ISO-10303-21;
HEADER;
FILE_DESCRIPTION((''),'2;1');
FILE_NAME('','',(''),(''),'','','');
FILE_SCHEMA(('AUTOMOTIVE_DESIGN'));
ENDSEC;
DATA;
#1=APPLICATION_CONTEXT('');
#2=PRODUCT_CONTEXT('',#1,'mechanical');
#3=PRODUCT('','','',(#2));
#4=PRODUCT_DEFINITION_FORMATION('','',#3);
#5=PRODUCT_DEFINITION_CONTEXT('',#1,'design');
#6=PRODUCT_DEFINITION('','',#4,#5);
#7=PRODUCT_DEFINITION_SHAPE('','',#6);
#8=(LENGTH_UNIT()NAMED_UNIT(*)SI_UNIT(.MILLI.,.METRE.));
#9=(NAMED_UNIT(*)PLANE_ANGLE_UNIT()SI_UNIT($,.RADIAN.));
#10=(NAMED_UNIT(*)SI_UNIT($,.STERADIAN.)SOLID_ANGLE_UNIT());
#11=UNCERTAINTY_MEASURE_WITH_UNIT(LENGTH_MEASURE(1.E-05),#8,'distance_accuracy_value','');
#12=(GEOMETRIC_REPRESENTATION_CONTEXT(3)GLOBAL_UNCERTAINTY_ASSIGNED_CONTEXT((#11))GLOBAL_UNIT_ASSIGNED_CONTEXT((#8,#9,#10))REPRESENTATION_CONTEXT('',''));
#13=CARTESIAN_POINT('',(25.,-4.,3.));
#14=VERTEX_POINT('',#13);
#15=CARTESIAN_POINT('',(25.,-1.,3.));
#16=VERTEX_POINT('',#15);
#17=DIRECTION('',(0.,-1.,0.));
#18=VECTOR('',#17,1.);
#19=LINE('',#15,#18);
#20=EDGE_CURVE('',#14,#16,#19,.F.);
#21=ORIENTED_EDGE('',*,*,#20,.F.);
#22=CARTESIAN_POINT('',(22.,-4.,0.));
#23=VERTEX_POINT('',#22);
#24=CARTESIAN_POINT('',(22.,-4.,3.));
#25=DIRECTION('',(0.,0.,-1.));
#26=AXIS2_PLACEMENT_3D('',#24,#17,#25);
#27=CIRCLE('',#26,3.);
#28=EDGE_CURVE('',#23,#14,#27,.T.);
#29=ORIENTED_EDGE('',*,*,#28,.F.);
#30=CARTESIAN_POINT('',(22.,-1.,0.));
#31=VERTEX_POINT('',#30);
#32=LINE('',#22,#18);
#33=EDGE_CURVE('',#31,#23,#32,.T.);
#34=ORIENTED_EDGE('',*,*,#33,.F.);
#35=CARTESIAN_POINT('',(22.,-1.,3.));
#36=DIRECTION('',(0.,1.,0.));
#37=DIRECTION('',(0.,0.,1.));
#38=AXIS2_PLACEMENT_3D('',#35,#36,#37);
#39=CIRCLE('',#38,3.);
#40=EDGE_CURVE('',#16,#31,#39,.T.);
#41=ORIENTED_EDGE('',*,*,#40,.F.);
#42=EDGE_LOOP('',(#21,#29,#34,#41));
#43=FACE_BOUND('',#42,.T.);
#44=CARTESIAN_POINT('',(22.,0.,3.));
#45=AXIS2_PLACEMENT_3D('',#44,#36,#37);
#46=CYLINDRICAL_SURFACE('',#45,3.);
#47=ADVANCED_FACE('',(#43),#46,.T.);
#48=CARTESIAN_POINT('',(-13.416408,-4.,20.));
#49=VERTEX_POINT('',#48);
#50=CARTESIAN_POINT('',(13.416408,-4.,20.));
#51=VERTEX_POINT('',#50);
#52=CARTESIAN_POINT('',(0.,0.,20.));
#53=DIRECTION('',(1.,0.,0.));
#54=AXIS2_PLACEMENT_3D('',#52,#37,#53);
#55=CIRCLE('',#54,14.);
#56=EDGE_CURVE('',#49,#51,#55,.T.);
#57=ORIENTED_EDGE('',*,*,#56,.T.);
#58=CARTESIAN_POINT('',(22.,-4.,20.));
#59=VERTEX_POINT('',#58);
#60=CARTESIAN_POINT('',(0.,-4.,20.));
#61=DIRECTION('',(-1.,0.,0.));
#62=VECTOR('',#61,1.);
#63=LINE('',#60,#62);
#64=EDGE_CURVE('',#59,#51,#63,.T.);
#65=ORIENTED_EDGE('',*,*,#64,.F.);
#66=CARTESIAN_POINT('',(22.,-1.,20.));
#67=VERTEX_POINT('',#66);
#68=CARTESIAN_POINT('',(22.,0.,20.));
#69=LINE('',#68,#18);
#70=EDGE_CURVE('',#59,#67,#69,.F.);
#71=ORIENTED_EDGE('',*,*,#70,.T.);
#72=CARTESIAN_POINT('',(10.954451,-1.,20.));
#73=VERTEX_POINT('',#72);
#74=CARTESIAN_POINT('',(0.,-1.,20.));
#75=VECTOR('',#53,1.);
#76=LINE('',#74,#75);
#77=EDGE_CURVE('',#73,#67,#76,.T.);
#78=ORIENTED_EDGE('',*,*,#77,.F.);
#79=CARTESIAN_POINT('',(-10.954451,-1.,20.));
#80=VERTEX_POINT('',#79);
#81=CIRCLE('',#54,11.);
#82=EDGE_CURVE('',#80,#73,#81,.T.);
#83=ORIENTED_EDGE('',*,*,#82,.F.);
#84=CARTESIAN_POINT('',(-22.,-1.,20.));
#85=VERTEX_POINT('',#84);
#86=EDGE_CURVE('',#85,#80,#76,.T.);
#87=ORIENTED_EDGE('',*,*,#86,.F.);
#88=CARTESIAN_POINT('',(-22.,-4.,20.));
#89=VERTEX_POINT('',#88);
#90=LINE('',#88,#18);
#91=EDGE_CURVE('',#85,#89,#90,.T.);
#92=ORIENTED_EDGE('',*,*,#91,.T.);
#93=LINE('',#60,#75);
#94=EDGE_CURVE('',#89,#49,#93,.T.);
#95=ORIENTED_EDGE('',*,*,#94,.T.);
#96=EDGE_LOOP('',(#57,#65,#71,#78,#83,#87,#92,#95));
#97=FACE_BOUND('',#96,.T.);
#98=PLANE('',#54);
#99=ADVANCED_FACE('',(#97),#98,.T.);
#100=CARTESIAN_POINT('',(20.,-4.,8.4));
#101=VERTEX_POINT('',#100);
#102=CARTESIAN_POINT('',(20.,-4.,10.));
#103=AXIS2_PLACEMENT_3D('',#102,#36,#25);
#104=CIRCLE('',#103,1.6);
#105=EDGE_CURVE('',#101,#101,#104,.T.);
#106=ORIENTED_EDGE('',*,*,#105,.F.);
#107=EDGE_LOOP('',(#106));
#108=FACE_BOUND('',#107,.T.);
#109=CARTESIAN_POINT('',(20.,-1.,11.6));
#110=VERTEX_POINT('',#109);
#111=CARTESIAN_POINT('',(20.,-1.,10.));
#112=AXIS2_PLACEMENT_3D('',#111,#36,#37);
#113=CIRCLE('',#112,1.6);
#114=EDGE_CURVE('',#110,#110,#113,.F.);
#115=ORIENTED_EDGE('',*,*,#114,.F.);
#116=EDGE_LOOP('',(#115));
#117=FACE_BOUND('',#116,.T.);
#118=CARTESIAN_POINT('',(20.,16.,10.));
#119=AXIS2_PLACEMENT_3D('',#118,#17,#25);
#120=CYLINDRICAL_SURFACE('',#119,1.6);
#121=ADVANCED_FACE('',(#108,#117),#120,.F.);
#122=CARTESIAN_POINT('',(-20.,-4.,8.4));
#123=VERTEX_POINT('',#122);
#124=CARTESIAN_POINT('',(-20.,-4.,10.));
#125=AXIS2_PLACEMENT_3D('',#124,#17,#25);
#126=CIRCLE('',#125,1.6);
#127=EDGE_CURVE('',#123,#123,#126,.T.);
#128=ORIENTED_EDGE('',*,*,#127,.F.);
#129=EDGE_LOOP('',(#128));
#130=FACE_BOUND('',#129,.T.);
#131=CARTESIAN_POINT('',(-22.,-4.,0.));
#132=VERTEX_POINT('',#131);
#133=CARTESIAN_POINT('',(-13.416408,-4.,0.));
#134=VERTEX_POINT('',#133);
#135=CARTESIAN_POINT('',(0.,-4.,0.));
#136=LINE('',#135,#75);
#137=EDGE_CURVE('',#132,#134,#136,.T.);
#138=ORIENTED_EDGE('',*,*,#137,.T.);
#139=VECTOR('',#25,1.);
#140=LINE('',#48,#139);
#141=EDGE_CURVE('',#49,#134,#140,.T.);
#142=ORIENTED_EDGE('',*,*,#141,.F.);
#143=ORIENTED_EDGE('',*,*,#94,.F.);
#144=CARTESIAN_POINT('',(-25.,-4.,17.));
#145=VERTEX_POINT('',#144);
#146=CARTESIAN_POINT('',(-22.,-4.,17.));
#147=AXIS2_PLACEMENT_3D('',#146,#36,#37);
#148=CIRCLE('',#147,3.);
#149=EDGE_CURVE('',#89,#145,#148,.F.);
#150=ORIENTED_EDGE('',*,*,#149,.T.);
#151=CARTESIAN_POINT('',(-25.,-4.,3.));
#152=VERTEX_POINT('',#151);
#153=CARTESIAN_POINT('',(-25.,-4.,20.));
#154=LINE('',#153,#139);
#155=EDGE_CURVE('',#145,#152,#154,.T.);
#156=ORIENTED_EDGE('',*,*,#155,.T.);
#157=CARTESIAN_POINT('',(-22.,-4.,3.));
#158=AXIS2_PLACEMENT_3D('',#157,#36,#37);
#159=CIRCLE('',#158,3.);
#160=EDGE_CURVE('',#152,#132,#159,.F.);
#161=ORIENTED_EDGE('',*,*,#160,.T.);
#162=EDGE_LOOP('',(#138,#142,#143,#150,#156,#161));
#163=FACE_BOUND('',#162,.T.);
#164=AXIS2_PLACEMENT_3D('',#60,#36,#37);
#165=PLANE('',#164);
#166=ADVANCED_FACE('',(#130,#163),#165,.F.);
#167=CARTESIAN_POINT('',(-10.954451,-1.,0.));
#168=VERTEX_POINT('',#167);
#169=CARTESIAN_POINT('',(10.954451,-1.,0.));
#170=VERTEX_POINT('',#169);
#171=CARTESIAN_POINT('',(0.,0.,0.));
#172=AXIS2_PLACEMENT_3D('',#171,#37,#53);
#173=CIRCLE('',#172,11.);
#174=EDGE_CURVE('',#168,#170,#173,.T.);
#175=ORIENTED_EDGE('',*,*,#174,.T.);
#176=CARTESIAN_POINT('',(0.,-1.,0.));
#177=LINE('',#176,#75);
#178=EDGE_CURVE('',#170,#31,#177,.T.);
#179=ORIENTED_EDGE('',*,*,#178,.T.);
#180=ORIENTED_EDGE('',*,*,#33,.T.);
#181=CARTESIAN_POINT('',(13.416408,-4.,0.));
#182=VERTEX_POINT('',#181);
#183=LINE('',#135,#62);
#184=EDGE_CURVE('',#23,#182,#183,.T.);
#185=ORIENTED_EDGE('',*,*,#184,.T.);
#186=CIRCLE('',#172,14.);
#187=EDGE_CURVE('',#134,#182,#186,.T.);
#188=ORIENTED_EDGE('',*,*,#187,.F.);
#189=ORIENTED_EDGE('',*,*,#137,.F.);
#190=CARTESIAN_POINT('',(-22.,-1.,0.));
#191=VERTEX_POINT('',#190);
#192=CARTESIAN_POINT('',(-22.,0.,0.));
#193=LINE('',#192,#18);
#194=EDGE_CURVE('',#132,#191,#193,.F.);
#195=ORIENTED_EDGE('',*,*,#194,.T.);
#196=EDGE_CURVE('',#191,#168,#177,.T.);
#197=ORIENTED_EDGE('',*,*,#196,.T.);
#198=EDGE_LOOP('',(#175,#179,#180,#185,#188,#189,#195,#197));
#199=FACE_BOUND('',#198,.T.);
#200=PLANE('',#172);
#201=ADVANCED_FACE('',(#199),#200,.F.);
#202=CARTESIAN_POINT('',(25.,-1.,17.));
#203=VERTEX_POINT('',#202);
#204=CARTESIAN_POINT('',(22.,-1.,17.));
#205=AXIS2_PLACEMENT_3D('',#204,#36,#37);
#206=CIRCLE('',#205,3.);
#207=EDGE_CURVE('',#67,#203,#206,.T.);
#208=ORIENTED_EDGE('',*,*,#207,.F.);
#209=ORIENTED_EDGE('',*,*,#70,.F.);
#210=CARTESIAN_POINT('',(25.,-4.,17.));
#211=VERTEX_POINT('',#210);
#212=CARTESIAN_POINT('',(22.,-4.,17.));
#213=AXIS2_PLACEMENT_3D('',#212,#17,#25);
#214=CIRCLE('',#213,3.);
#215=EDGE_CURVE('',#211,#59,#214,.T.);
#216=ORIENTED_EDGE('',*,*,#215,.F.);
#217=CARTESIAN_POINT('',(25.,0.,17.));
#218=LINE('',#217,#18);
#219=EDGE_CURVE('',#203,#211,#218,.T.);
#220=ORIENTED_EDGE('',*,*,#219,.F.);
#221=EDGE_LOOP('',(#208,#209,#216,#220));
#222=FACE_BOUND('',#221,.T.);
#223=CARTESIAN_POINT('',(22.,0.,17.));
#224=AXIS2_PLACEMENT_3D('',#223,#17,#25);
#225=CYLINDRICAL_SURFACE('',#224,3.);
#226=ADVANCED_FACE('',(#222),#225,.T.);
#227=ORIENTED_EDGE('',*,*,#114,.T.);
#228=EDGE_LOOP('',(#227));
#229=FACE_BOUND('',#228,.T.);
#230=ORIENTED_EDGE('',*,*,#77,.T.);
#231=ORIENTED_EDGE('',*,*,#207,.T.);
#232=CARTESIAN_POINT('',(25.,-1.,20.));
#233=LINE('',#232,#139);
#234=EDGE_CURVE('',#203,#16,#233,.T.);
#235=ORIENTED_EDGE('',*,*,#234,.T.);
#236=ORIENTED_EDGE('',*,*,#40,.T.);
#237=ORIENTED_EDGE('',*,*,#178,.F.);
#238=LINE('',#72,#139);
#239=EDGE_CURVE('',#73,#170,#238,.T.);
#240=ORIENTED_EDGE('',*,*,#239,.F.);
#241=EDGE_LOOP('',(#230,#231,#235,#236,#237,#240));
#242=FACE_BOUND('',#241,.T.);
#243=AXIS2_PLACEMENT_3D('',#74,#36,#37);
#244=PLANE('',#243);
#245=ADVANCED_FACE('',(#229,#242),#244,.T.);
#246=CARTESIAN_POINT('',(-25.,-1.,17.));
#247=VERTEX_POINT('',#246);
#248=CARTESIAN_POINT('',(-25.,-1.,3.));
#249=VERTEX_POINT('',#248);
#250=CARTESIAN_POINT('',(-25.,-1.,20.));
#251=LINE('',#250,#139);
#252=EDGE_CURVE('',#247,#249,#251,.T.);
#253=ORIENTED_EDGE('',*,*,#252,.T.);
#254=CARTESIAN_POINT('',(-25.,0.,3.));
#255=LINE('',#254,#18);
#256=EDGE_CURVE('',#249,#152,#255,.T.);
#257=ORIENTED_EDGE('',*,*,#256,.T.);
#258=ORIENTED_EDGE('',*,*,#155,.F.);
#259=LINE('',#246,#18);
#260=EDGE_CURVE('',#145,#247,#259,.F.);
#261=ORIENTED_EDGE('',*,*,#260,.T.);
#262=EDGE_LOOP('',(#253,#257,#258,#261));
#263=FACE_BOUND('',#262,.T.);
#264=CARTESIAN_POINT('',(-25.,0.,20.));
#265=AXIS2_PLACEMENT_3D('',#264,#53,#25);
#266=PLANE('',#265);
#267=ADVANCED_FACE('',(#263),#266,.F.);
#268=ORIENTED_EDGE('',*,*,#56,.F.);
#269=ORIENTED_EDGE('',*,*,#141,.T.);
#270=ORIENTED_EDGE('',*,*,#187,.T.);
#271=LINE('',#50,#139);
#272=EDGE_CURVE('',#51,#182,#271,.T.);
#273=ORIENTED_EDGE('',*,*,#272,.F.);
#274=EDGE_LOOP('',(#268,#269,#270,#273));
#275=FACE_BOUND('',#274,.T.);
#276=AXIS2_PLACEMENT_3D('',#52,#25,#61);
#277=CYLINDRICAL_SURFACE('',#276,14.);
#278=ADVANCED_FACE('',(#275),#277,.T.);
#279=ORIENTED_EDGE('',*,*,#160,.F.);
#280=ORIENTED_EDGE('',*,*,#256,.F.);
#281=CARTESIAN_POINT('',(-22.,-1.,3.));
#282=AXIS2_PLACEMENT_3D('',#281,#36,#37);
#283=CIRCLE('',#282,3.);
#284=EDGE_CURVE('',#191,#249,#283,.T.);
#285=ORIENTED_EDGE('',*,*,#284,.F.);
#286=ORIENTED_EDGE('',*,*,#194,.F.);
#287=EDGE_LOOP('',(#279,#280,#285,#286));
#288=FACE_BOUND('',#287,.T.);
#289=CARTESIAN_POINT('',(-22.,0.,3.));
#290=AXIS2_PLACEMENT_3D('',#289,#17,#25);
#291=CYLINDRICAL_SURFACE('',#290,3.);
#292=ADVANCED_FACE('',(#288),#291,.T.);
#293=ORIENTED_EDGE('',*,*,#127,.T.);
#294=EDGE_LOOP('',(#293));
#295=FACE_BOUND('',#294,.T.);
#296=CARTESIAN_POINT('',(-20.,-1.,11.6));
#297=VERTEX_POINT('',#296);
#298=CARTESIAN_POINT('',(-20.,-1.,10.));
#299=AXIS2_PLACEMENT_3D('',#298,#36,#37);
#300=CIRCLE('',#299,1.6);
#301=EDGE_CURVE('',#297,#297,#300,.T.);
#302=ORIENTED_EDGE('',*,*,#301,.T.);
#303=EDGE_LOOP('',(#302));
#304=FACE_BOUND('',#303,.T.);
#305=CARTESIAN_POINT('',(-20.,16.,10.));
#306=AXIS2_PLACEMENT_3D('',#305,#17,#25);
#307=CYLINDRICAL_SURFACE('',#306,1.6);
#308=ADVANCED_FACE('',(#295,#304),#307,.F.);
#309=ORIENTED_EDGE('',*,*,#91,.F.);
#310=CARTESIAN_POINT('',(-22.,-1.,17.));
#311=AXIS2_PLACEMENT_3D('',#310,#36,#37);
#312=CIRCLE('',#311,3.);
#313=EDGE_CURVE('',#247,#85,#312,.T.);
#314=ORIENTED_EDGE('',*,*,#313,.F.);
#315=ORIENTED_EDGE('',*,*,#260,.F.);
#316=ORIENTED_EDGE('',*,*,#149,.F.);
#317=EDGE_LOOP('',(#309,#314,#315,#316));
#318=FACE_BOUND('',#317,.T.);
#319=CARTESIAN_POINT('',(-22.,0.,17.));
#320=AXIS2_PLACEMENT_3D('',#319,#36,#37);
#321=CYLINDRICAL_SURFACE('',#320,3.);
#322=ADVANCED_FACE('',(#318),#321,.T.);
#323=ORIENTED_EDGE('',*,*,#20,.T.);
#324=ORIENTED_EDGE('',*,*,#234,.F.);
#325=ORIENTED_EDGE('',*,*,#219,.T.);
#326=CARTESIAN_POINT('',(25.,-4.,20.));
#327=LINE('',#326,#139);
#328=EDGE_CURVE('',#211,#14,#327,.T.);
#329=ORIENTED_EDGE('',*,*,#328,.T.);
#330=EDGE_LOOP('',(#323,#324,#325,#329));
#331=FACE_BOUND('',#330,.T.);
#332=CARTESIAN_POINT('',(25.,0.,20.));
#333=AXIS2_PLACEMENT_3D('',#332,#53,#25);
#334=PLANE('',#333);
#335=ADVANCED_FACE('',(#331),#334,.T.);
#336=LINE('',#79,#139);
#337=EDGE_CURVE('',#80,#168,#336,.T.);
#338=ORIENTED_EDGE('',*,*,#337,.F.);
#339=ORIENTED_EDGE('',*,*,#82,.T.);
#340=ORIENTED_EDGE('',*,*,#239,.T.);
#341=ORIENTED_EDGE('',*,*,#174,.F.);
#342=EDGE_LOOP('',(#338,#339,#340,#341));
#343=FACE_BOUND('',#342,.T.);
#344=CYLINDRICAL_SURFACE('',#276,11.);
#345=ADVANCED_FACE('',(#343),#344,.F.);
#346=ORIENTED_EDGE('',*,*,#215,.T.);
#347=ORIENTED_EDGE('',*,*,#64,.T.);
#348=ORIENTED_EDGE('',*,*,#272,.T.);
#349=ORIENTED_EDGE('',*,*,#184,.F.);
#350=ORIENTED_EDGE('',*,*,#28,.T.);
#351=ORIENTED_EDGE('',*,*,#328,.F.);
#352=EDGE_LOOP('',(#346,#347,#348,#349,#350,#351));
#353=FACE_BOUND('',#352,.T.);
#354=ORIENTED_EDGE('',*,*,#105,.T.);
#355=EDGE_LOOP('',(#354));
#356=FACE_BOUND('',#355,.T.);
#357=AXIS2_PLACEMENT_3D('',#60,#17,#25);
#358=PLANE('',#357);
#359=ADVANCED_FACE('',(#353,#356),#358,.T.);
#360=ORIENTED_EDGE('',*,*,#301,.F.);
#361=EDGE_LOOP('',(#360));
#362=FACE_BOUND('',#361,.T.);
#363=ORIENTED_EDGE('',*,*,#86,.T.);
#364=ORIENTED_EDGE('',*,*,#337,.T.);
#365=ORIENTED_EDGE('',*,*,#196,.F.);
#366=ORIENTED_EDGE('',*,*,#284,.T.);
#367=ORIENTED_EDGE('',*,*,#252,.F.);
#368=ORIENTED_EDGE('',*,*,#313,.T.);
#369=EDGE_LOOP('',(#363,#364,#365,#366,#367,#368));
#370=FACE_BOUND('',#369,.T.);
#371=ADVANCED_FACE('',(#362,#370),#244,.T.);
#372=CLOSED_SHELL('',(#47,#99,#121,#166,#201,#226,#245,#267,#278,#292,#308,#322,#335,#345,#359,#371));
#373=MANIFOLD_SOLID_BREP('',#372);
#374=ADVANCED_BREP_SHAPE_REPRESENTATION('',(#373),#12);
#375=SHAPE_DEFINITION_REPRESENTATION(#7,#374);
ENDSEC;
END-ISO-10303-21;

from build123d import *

# Parameters (mm, degrees)
BOSS_EXTRUDE1_DEPTH = 20
SKETCH2_R           = 1.6
CUT_EXTRUDE1_DEPTH  = 20
FILLET1_R           = 3


with BuildPart() as part:
    # Sketch1 → Boss-Extrude1 (new body)
    with BuildSketch(Plane.XY):
        with BuildLine():
            Line((-10.95445115, -1), (-13.964240044, -1))
            ThreePointArc((-13.964240044, -1), (-13.772253627, -2.514961237), (-13.416407865, -4))
            ThreePointArc((-13.416407865, -4), (0, -14), (13.416407865, -4))
            ThreePointArc((13.416407865, -4), (13.772253627, -2.514961237), (13.964240044, -1))
            Line((13.964240044, -1), (10.95445115, -1))
            ThreePointArc((10.95445115, -1), (0, -11), (-10.95445115, -1))
        make_face()
        with BuildLine():
            Line((-13.964240044, -1), (-25, -1))
            Line((-25, -1), (-25, -4))
            Line((-25, -4), (-13.416407865, -4))
            ThreePointArc((-13.416407865, -4), (-13.772253627, -2.514961237), (-13.964240044, -1))
        make_face()
        with BuildLine():
            Line((25, -1), (13.964240044, -1))
            ThreePointArc((13.964240044, -1), (13.772253627, -2.514961237), (13.416407865, -4))
            Line((13.416407865, -4), (25, -4))
            Line((25, -4), (25, -1))
        make_face()
    extrude(amount=BOSS_EXTRUDE1_DEPTH)

    # Sketch2 → Cut-Extrude1 (cut)
    with BuildSketch(Plane.XZ.offset(4)):
        with Locations((-20, 10)):
            Circle(SKETCH2_R)
    cut_extrude1 = extrude(amount=-CUT_EXTRUDE1_DEPTH, mode=Mode.SUBTRACT)

    # Mirror1: Cut-Extrude1 across plane
    add(cut_extrude1.mirror(Plane(origin=(0, 0, 0), x_dir=(0, 0, 1), z_dir=(1, 0, 0))), mode=Mode.SUBTRACT)

    # Fillet1
    fillet1_edges = [part.edges().sort_by_distance(p)[0] for p in [
        (-25, -2.5, 0),
        (-25, -2.5, 20),
        (25, -2.5, 20),
        (25, -2.5, 0),
    ]]
    fillet(fillet1_edges, radius=FILLET1_R)


solid = part.part
